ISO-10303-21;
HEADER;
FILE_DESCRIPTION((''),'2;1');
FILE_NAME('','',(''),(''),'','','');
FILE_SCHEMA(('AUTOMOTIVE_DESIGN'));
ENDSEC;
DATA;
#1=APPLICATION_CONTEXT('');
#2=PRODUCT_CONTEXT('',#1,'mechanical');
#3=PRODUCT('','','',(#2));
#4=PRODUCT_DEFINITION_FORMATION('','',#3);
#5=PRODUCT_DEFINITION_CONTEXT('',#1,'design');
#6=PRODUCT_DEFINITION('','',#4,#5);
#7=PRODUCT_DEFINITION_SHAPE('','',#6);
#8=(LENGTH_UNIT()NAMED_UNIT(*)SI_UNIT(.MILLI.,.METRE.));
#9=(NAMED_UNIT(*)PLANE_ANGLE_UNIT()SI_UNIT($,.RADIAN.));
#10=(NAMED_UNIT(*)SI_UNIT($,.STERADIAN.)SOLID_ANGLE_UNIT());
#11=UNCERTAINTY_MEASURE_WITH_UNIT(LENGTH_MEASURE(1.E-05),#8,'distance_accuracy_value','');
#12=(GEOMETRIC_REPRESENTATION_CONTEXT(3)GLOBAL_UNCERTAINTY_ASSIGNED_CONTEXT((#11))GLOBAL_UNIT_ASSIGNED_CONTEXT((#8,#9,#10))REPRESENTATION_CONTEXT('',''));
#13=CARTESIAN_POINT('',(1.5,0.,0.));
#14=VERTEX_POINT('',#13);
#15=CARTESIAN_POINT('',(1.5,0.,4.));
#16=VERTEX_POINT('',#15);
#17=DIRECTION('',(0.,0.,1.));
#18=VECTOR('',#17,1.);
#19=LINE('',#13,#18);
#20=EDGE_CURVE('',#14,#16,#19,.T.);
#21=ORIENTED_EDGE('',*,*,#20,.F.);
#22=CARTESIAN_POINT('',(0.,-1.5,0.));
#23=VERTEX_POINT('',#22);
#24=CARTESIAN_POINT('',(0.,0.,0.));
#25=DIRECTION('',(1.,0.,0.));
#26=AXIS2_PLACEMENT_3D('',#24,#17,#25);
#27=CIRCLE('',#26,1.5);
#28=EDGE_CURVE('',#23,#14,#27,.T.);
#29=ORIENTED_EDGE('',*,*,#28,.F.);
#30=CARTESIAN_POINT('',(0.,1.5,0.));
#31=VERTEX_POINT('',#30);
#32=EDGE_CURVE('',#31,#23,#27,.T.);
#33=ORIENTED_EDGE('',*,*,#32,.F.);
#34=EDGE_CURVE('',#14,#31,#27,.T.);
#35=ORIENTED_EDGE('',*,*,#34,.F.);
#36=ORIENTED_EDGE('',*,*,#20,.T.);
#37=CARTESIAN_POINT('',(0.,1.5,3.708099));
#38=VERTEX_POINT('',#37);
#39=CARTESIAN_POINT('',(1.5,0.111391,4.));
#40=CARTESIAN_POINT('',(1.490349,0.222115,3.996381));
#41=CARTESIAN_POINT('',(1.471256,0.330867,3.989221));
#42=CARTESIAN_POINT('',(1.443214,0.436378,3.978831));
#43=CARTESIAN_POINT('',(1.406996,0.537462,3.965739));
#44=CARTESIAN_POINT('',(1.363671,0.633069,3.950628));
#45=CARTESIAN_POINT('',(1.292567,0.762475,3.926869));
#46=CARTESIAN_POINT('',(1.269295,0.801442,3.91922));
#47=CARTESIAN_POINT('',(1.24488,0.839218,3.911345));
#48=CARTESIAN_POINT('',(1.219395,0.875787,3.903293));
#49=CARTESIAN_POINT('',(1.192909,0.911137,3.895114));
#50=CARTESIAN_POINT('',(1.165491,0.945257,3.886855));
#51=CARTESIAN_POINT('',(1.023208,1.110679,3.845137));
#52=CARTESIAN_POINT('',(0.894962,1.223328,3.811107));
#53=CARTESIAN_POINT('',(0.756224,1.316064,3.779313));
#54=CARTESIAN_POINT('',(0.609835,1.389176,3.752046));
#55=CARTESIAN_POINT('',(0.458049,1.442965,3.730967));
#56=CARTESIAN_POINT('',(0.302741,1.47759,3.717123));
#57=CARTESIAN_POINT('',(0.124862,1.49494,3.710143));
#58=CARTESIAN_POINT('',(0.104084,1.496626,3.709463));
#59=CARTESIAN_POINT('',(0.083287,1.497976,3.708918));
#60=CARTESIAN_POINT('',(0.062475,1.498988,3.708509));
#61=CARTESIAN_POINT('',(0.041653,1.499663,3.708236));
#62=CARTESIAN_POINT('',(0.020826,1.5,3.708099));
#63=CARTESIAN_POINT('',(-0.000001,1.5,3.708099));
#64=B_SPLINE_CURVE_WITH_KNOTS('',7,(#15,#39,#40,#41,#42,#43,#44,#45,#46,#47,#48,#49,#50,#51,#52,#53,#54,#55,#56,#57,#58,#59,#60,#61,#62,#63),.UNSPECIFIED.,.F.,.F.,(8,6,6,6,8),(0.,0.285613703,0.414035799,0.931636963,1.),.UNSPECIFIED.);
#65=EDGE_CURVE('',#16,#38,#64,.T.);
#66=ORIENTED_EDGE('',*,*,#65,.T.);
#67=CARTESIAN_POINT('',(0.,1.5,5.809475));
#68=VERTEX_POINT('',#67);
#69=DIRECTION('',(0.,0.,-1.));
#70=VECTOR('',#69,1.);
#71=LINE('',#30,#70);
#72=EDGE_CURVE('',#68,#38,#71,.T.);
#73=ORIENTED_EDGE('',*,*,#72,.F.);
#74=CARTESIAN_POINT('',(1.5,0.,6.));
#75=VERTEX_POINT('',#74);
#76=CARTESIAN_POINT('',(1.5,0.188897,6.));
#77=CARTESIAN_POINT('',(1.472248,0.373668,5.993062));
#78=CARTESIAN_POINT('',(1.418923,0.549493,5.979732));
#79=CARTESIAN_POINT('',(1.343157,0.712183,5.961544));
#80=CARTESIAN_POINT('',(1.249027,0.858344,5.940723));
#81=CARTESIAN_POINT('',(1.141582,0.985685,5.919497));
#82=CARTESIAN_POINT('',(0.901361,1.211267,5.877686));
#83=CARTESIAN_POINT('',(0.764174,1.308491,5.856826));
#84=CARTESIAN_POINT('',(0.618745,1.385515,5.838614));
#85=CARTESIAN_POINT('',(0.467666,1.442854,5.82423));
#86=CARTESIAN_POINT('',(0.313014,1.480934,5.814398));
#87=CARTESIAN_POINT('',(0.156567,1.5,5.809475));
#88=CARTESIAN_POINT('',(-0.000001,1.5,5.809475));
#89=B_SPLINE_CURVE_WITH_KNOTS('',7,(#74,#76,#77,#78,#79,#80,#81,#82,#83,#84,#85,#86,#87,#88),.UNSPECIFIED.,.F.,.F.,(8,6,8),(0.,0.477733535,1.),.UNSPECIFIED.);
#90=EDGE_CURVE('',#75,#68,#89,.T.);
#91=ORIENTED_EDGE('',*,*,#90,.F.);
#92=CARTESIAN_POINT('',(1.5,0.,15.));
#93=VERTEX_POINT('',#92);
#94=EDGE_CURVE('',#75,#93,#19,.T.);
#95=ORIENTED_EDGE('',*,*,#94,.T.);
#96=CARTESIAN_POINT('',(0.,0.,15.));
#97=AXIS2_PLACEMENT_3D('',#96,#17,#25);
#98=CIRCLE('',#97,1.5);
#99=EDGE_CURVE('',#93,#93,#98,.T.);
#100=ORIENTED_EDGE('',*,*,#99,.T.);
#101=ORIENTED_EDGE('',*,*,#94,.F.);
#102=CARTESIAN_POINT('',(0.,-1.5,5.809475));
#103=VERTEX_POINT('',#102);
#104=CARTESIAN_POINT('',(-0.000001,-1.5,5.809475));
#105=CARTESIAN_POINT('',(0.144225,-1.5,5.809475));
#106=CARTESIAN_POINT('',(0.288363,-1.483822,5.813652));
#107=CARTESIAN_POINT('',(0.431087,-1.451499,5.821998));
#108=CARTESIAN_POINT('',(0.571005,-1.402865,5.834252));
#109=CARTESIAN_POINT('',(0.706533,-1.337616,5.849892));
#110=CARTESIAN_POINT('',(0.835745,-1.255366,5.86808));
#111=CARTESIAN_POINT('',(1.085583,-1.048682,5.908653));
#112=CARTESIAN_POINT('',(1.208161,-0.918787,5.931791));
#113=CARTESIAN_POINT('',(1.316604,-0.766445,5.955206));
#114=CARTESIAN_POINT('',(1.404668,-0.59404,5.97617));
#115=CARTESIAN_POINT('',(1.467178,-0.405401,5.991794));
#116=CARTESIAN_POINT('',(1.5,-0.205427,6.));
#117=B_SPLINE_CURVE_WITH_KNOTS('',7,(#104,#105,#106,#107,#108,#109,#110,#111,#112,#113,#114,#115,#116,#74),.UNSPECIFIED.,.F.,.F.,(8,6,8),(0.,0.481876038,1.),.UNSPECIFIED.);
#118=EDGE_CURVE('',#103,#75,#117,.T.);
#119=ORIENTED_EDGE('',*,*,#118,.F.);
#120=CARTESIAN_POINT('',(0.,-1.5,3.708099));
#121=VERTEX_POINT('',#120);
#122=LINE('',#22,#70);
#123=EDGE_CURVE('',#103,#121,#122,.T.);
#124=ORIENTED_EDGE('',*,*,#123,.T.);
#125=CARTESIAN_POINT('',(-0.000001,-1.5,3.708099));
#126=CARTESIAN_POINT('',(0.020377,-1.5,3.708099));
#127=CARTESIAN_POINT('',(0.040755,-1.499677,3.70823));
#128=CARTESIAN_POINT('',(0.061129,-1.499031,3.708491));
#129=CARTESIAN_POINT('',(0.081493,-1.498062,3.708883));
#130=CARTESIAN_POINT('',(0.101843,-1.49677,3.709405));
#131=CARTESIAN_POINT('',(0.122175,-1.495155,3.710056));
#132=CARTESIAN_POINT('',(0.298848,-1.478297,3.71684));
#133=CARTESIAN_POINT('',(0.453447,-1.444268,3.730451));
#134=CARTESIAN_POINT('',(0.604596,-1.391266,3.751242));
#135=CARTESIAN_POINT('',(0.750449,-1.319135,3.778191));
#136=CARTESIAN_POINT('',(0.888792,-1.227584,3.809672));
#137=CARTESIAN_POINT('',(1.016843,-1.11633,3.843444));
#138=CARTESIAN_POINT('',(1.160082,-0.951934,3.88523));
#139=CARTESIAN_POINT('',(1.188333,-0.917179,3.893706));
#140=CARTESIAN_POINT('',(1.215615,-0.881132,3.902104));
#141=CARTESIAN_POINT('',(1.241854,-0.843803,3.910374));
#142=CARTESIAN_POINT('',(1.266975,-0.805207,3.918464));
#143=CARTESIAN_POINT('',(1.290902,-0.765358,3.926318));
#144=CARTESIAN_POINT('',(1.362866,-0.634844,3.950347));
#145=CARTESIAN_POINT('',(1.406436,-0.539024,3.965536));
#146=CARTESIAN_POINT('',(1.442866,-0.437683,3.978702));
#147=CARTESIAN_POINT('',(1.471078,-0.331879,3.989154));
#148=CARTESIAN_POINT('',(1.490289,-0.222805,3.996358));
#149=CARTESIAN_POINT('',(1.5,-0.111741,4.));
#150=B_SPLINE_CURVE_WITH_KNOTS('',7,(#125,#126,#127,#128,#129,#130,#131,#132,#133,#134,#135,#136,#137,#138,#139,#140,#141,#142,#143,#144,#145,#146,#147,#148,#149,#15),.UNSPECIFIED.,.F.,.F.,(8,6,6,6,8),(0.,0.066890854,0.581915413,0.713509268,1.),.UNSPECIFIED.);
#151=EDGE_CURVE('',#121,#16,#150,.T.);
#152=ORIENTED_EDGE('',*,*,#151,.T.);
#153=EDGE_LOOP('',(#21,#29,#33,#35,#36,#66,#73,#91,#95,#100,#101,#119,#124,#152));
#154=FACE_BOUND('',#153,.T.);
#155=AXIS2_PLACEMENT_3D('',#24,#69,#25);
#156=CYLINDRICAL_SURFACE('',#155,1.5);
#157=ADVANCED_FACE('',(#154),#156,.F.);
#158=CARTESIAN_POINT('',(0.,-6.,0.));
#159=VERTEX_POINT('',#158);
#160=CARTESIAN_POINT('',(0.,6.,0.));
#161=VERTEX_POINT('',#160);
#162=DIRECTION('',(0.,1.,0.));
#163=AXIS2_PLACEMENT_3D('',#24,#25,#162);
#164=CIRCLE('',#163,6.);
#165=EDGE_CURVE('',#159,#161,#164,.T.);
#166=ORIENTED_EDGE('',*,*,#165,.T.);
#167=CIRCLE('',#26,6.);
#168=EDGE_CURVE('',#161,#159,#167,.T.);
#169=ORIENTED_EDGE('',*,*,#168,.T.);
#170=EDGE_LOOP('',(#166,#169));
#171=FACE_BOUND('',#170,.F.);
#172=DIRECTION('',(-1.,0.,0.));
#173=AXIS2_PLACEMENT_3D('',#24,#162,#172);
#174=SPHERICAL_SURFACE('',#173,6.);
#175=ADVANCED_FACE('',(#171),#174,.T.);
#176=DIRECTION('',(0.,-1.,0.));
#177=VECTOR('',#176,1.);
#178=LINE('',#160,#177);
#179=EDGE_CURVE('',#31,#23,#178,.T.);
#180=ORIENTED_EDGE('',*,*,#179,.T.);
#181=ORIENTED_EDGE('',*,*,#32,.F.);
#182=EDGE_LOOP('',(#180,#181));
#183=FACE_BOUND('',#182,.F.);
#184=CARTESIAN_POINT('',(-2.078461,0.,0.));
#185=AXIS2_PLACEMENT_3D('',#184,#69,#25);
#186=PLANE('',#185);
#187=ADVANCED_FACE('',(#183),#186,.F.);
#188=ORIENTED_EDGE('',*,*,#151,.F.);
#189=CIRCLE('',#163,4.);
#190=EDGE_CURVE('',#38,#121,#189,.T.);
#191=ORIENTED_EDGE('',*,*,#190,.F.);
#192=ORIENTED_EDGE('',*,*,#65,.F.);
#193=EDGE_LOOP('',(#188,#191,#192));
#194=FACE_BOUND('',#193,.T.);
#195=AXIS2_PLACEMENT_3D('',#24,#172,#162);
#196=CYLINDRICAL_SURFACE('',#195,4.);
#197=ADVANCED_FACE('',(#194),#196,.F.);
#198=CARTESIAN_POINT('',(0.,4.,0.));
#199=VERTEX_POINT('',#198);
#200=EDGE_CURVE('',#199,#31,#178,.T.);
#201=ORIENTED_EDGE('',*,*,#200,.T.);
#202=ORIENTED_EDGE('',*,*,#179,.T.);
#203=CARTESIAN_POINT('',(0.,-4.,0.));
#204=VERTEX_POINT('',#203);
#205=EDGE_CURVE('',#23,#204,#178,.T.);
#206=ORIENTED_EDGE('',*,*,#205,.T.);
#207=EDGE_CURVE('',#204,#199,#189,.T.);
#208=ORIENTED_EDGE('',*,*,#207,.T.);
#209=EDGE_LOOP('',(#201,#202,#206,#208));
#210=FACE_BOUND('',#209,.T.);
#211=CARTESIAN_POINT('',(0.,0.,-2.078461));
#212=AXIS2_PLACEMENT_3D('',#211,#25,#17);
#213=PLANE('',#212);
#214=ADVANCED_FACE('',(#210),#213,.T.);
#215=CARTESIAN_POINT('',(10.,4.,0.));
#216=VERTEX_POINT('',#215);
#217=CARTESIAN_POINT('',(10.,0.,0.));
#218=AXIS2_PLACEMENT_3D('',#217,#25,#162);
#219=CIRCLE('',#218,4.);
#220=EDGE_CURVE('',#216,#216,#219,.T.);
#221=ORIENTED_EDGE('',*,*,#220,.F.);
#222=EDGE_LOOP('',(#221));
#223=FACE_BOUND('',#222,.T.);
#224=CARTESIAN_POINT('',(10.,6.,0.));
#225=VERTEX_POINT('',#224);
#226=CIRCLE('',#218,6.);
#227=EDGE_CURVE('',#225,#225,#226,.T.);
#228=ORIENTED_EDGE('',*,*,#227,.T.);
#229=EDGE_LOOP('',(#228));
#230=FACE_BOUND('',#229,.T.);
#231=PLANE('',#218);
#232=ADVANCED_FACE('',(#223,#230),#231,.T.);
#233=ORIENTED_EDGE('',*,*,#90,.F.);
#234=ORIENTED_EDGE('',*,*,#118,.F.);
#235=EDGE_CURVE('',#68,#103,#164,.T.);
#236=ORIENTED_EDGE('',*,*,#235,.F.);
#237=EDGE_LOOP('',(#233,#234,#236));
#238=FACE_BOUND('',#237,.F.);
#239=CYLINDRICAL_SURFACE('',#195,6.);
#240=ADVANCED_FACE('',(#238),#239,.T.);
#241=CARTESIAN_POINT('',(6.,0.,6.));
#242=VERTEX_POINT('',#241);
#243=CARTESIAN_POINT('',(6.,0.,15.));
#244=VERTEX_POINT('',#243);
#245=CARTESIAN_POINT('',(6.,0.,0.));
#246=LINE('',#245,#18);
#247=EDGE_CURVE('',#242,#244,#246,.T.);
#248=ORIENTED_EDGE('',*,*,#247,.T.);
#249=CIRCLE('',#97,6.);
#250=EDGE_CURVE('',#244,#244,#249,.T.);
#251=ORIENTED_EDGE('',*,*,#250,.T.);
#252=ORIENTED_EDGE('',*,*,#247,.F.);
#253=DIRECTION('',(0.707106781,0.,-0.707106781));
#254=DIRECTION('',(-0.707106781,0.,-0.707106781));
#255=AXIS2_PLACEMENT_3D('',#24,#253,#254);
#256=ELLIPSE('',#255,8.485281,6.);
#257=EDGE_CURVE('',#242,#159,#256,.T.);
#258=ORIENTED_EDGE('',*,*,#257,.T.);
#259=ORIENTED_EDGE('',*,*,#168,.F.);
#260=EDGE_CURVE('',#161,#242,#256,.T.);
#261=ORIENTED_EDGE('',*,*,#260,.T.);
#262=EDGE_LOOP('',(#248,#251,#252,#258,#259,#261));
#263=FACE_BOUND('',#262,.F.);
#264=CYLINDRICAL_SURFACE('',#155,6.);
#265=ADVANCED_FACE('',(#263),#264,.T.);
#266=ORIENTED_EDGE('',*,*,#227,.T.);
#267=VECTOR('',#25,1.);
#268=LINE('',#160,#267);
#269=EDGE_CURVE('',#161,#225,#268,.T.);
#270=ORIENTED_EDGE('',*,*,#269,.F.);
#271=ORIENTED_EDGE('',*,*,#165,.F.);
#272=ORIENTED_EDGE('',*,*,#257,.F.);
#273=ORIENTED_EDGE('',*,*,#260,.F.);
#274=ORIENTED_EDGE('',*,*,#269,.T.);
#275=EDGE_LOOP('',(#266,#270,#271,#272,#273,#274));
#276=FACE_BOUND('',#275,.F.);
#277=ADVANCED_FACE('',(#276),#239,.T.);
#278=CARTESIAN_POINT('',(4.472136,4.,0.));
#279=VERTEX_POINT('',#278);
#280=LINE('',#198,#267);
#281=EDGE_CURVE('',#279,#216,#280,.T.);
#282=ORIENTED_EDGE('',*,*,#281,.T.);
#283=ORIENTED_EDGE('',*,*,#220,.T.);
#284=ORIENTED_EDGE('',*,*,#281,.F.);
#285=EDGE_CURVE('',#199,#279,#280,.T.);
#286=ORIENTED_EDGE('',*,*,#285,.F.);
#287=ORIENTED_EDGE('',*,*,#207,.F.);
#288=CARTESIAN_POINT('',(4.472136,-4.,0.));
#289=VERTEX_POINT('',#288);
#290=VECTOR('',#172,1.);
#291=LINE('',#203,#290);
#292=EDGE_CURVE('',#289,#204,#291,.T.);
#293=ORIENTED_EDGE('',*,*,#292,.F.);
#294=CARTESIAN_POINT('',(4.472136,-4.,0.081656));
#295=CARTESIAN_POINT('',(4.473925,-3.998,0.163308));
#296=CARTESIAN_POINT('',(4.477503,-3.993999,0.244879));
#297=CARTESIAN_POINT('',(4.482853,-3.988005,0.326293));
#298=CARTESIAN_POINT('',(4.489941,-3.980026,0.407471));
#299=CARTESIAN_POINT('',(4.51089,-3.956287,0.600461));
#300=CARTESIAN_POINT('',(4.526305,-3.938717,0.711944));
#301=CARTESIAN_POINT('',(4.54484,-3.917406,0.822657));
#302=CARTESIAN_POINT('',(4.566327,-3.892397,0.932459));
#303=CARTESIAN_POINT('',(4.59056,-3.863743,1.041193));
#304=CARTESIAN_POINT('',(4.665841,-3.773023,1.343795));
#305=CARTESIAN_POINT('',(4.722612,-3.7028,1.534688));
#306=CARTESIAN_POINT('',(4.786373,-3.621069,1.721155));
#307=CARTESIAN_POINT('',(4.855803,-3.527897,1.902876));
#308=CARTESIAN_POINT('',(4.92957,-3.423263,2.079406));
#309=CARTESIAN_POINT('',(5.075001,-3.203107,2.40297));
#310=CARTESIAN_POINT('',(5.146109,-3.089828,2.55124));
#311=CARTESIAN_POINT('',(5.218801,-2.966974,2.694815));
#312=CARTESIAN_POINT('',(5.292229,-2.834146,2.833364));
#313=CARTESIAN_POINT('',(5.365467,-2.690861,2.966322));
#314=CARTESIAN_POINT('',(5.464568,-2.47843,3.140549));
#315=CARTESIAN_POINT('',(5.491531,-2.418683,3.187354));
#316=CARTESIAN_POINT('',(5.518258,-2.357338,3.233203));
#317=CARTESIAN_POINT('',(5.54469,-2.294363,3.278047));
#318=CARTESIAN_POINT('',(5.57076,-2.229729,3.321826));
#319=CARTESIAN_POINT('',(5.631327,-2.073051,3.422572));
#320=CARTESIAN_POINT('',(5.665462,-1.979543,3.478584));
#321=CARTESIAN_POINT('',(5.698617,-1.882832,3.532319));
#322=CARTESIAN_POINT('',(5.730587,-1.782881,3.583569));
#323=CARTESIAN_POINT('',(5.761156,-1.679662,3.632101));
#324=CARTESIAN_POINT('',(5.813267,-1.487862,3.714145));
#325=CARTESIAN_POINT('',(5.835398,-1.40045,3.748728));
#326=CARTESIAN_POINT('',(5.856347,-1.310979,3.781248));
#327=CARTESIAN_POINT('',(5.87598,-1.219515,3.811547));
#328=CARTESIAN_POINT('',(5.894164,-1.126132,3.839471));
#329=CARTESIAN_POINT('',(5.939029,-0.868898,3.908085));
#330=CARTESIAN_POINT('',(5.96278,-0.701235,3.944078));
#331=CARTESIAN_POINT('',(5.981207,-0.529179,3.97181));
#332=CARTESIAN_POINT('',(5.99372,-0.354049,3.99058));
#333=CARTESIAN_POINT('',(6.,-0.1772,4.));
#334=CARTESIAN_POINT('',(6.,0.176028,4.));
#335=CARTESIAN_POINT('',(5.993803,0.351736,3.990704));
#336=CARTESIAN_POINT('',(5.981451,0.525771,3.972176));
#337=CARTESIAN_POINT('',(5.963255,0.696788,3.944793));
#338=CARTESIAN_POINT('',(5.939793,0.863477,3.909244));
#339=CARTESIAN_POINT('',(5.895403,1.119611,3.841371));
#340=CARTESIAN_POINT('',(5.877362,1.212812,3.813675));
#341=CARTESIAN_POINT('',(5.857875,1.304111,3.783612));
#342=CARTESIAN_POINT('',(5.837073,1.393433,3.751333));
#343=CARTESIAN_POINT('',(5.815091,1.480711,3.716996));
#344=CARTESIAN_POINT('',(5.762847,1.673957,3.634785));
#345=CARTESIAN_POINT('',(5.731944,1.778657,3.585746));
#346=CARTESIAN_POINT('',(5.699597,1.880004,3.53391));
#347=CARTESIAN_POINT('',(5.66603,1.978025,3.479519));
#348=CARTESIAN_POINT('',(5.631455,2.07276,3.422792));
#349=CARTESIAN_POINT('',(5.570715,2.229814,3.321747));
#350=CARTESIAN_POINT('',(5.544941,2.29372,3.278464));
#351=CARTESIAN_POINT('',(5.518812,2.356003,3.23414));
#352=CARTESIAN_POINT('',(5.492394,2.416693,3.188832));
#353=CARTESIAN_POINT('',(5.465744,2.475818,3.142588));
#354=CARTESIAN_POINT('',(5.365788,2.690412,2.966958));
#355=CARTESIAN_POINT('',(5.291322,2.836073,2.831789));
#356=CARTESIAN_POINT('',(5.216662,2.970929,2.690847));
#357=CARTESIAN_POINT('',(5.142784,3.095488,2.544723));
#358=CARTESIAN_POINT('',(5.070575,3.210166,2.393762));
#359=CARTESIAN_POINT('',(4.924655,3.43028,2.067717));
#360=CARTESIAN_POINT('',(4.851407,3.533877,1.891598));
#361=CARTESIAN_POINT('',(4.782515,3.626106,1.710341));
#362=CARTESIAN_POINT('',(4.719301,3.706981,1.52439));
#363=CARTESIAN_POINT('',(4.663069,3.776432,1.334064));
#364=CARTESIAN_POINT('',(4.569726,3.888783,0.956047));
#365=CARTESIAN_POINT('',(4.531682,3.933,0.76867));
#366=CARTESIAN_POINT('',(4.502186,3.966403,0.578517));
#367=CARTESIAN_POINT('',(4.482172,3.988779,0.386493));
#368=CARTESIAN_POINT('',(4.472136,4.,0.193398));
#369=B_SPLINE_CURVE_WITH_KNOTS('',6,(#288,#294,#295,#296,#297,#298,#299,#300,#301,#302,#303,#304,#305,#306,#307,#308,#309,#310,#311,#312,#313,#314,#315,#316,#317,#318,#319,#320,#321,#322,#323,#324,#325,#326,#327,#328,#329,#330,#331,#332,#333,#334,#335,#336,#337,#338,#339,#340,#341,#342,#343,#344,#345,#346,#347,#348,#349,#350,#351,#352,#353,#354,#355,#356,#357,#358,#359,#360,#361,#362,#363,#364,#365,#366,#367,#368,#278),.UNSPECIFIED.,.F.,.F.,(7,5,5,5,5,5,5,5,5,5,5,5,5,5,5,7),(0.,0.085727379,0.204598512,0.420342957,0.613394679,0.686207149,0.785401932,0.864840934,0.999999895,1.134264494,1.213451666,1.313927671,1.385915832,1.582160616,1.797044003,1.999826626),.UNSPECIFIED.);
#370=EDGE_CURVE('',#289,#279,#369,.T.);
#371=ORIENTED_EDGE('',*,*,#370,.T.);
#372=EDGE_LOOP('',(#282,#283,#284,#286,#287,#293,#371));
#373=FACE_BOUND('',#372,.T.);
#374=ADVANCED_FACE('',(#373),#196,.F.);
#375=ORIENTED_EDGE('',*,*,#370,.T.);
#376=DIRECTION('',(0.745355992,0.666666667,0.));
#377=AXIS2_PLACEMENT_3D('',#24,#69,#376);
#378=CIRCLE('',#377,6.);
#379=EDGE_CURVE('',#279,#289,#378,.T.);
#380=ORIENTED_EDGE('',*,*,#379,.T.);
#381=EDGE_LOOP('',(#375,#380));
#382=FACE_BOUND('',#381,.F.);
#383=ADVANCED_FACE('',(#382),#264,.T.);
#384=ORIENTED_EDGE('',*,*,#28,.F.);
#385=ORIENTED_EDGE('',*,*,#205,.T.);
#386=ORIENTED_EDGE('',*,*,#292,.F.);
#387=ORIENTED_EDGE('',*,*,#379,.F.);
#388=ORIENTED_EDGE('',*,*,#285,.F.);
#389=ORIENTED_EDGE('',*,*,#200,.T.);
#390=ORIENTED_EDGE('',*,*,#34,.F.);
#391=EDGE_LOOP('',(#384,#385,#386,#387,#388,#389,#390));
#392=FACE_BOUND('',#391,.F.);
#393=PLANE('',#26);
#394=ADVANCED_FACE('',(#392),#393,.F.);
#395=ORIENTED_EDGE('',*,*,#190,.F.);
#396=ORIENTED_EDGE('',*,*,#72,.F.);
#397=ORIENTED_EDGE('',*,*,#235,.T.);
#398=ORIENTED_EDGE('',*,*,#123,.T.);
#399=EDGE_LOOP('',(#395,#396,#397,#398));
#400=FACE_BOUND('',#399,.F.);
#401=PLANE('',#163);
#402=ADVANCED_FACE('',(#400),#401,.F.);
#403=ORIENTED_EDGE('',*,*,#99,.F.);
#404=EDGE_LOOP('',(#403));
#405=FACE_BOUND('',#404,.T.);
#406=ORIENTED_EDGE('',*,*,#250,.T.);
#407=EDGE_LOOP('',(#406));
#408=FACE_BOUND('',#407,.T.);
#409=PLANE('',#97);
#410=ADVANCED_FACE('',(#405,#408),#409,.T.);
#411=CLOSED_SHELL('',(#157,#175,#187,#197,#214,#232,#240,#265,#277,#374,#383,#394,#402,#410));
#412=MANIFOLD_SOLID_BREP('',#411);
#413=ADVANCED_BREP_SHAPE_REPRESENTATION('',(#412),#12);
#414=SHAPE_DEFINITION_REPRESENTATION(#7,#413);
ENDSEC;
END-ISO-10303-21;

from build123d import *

# Parameters (mm, degrees)
F0_R     = 6
F0_R_2   = 1.5
F1_DEPTH = 15
F2_R     = 6
F2_R_2   = 4
F3_DEPTH = 10
F6_ANGLE = 90


with BuildPart() as f1:
    # F0 (on Top) → F1 (new body)
    with BuildSketch(Plane.XY):
        Circle(F0_R)
        Circle(F0_R_2, mode=Mode.SUBTRACT)
    extrude(amount=F1_DEPTH)

    # F2 (on Right) → F3 (join)
    with BuildSketch(Plane.YZ):
        Circle(F2_R)
        Circle(F2_R_2, mode=Mode.SUBTRACT)
    extrude(amount=F3_DEPTH)

    # F4 (on face) → F6 (revolve)
    with BuildSketch(Plane(origin=(0, 0, 0), x_dir=(1, 0, 0), z_dir=(0, 0, -1))):
        with BuildLine():
            Line((0, -6), (0, 6))
            ThreePointArc((0, 6), (-6, 0), (0, -6))
        make_face()
    revolve(axis=Axis((0, -1.910034, 0), (0, -1, 0)), revolution_arc=F6_ANGLE)


solid = f1.part
